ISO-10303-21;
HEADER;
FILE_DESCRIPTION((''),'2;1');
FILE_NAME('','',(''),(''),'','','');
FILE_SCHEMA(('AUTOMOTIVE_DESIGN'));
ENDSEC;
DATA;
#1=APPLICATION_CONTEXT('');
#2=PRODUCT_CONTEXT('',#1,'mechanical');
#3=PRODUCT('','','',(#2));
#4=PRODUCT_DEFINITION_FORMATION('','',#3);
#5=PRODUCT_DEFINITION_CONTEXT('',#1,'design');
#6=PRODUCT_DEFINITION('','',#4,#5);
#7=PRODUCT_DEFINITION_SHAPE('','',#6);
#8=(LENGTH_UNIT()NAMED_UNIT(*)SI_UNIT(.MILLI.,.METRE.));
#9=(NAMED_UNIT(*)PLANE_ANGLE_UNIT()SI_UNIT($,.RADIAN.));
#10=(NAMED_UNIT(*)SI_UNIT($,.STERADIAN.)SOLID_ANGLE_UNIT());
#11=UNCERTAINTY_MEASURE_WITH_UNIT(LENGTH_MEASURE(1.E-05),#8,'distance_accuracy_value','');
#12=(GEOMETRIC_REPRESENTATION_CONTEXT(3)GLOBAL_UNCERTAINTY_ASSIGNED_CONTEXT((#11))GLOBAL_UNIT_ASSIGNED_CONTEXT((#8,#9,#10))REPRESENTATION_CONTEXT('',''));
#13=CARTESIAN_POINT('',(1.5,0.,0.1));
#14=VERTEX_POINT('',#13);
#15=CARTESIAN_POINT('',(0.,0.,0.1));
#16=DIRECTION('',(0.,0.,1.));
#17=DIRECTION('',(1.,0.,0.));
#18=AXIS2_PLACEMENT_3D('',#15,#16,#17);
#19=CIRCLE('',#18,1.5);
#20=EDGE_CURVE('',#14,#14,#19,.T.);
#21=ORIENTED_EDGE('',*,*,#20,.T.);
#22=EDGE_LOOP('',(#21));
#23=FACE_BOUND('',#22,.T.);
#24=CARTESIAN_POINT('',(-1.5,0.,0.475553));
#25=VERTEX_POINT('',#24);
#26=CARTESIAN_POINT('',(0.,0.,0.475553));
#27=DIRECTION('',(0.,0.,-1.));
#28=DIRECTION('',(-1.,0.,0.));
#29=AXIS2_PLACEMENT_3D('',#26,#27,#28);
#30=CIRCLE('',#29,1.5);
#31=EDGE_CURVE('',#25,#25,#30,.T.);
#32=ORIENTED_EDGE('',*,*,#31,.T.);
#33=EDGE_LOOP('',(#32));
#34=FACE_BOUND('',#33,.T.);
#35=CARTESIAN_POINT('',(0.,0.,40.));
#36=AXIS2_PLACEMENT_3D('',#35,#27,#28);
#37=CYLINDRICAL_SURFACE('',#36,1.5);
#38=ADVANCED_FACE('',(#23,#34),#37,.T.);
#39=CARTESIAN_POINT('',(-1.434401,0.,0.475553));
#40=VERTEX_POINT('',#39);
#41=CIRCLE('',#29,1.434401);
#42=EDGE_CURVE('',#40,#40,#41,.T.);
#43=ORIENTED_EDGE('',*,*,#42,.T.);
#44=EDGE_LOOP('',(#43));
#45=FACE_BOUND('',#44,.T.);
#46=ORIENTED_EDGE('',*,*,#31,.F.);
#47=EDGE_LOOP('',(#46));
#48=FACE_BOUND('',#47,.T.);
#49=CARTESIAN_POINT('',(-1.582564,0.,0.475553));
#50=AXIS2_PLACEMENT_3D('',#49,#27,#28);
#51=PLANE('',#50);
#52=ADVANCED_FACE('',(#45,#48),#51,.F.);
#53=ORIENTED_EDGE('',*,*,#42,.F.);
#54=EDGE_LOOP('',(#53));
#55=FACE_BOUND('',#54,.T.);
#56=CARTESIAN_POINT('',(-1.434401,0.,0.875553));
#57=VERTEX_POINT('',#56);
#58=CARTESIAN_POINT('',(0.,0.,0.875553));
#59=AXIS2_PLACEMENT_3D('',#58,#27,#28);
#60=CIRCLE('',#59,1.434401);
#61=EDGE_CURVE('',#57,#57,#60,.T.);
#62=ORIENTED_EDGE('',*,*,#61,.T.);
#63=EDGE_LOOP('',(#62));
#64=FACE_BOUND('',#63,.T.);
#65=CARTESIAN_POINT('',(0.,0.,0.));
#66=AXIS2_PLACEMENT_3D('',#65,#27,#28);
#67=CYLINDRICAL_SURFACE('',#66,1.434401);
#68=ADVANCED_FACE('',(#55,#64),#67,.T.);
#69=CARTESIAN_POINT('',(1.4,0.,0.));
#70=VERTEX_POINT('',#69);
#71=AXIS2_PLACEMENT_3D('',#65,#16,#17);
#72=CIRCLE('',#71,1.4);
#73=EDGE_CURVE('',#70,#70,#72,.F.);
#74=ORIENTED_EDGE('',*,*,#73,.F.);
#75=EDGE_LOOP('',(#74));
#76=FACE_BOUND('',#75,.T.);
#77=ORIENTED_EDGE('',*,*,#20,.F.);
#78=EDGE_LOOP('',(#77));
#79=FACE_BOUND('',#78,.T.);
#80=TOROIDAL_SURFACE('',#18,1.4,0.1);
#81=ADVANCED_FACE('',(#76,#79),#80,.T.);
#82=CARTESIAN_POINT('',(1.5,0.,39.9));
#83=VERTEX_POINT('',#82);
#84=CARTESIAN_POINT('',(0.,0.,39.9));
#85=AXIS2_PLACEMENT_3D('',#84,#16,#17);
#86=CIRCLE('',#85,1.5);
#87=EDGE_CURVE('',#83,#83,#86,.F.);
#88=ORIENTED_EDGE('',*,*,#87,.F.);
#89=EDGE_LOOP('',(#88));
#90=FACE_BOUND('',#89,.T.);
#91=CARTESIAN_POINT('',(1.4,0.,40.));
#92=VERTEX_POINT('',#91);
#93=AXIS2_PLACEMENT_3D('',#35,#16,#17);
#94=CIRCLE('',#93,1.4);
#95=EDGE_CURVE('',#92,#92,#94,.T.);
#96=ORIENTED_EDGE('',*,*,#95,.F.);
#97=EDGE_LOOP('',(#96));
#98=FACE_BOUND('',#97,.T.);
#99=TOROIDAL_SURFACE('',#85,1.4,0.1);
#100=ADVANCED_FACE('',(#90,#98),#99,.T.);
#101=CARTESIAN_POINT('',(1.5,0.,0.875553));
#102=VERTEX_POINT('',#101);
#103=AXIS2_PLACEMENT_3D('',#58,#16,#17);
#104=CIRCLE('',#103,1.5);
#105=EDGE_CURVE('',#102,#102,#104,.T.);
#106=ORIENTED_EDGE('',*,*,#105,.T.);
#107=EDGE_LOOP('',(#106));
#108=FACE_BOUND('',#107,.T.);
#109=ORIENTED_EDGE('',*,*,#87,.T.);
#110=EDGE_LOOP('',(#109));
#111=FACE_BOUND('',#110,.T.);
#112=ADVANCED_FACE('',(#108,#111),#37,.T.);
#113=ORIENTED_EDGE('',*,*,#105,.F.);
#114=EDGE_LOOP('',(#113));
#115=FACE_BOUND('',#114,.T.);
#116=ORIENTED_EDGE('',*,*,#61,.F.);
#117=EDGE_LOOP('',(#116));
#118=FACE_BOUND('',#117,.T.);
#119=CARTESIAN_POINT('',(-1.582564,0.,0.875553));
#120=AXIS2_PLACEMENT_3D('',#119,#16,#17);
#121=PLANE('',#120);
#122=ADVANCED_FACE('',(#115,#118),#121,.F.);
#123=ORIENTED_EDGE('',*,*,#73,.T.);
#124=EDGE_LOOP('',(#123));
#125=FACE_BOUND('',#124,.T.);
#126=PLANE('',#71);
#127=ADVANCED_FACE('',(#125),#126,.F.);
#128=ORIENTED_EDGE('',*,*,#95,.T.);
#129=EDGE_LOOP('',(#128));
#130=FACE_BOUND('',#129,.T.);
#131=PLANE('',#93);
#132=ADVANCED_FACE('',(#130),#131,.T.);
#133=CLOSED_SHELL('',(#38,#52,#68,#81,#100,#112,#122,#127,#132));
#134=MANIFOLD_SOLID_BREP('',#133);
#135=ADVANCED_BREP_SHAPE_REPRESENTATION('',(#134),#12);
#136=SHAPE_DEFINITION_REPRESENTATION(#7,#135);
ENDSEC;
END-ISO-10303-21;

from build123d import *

# Parameters (mm, degrees)
SKETCH1_R           = 1.5
BOSS_EXTRUDE1_DEPTH = 40
FILLET1_R           = 0.1
FILLET2_R           = 0.1
SKETCH2_W           = 0.148162506
SKETCH2_H           = 0.4


with BuildPart() as part:
    # Sketch1 → Boss-Extrude1 (new body)
    with BuildSketch(Plane.XY):
        Circle(SKETCH1_R)
    extrude(amount=BOSS_EXTRUDE1_DEPTH)

    # Fillet1
    fillet1_edges = [part.edges().sort_by_distance(p)[0] for p in [
        (-1.5, 0, 40),
    ]]
    fillet(fillet1_edges, radius=FILLET1_R)

    # Fillet2
    fillet2_edges = [part.edges().sort_by_distance(p)[0] for p in [
        (-1.5, 0, 0),
    ]]
    fillet(fillet2_edges, radius=FILLET2_R)

    # Sketch2 → Cut-Revolve1 (revolve, cut)
    with BuildSketch(Plane(origin=(0, 0, 0), x_dir=(1, 0, 0), z_dir=(0, 1, 0))):
        with Locations((-1.508482483, -0.675553033)):
            Rectangle(SKETCH2_W, SKETCH2_H)
    revolve(axis=Axis((0, 0, 0), (0, 0, 1)), mode=Mode.SUBTRACT)


solid = part.part
